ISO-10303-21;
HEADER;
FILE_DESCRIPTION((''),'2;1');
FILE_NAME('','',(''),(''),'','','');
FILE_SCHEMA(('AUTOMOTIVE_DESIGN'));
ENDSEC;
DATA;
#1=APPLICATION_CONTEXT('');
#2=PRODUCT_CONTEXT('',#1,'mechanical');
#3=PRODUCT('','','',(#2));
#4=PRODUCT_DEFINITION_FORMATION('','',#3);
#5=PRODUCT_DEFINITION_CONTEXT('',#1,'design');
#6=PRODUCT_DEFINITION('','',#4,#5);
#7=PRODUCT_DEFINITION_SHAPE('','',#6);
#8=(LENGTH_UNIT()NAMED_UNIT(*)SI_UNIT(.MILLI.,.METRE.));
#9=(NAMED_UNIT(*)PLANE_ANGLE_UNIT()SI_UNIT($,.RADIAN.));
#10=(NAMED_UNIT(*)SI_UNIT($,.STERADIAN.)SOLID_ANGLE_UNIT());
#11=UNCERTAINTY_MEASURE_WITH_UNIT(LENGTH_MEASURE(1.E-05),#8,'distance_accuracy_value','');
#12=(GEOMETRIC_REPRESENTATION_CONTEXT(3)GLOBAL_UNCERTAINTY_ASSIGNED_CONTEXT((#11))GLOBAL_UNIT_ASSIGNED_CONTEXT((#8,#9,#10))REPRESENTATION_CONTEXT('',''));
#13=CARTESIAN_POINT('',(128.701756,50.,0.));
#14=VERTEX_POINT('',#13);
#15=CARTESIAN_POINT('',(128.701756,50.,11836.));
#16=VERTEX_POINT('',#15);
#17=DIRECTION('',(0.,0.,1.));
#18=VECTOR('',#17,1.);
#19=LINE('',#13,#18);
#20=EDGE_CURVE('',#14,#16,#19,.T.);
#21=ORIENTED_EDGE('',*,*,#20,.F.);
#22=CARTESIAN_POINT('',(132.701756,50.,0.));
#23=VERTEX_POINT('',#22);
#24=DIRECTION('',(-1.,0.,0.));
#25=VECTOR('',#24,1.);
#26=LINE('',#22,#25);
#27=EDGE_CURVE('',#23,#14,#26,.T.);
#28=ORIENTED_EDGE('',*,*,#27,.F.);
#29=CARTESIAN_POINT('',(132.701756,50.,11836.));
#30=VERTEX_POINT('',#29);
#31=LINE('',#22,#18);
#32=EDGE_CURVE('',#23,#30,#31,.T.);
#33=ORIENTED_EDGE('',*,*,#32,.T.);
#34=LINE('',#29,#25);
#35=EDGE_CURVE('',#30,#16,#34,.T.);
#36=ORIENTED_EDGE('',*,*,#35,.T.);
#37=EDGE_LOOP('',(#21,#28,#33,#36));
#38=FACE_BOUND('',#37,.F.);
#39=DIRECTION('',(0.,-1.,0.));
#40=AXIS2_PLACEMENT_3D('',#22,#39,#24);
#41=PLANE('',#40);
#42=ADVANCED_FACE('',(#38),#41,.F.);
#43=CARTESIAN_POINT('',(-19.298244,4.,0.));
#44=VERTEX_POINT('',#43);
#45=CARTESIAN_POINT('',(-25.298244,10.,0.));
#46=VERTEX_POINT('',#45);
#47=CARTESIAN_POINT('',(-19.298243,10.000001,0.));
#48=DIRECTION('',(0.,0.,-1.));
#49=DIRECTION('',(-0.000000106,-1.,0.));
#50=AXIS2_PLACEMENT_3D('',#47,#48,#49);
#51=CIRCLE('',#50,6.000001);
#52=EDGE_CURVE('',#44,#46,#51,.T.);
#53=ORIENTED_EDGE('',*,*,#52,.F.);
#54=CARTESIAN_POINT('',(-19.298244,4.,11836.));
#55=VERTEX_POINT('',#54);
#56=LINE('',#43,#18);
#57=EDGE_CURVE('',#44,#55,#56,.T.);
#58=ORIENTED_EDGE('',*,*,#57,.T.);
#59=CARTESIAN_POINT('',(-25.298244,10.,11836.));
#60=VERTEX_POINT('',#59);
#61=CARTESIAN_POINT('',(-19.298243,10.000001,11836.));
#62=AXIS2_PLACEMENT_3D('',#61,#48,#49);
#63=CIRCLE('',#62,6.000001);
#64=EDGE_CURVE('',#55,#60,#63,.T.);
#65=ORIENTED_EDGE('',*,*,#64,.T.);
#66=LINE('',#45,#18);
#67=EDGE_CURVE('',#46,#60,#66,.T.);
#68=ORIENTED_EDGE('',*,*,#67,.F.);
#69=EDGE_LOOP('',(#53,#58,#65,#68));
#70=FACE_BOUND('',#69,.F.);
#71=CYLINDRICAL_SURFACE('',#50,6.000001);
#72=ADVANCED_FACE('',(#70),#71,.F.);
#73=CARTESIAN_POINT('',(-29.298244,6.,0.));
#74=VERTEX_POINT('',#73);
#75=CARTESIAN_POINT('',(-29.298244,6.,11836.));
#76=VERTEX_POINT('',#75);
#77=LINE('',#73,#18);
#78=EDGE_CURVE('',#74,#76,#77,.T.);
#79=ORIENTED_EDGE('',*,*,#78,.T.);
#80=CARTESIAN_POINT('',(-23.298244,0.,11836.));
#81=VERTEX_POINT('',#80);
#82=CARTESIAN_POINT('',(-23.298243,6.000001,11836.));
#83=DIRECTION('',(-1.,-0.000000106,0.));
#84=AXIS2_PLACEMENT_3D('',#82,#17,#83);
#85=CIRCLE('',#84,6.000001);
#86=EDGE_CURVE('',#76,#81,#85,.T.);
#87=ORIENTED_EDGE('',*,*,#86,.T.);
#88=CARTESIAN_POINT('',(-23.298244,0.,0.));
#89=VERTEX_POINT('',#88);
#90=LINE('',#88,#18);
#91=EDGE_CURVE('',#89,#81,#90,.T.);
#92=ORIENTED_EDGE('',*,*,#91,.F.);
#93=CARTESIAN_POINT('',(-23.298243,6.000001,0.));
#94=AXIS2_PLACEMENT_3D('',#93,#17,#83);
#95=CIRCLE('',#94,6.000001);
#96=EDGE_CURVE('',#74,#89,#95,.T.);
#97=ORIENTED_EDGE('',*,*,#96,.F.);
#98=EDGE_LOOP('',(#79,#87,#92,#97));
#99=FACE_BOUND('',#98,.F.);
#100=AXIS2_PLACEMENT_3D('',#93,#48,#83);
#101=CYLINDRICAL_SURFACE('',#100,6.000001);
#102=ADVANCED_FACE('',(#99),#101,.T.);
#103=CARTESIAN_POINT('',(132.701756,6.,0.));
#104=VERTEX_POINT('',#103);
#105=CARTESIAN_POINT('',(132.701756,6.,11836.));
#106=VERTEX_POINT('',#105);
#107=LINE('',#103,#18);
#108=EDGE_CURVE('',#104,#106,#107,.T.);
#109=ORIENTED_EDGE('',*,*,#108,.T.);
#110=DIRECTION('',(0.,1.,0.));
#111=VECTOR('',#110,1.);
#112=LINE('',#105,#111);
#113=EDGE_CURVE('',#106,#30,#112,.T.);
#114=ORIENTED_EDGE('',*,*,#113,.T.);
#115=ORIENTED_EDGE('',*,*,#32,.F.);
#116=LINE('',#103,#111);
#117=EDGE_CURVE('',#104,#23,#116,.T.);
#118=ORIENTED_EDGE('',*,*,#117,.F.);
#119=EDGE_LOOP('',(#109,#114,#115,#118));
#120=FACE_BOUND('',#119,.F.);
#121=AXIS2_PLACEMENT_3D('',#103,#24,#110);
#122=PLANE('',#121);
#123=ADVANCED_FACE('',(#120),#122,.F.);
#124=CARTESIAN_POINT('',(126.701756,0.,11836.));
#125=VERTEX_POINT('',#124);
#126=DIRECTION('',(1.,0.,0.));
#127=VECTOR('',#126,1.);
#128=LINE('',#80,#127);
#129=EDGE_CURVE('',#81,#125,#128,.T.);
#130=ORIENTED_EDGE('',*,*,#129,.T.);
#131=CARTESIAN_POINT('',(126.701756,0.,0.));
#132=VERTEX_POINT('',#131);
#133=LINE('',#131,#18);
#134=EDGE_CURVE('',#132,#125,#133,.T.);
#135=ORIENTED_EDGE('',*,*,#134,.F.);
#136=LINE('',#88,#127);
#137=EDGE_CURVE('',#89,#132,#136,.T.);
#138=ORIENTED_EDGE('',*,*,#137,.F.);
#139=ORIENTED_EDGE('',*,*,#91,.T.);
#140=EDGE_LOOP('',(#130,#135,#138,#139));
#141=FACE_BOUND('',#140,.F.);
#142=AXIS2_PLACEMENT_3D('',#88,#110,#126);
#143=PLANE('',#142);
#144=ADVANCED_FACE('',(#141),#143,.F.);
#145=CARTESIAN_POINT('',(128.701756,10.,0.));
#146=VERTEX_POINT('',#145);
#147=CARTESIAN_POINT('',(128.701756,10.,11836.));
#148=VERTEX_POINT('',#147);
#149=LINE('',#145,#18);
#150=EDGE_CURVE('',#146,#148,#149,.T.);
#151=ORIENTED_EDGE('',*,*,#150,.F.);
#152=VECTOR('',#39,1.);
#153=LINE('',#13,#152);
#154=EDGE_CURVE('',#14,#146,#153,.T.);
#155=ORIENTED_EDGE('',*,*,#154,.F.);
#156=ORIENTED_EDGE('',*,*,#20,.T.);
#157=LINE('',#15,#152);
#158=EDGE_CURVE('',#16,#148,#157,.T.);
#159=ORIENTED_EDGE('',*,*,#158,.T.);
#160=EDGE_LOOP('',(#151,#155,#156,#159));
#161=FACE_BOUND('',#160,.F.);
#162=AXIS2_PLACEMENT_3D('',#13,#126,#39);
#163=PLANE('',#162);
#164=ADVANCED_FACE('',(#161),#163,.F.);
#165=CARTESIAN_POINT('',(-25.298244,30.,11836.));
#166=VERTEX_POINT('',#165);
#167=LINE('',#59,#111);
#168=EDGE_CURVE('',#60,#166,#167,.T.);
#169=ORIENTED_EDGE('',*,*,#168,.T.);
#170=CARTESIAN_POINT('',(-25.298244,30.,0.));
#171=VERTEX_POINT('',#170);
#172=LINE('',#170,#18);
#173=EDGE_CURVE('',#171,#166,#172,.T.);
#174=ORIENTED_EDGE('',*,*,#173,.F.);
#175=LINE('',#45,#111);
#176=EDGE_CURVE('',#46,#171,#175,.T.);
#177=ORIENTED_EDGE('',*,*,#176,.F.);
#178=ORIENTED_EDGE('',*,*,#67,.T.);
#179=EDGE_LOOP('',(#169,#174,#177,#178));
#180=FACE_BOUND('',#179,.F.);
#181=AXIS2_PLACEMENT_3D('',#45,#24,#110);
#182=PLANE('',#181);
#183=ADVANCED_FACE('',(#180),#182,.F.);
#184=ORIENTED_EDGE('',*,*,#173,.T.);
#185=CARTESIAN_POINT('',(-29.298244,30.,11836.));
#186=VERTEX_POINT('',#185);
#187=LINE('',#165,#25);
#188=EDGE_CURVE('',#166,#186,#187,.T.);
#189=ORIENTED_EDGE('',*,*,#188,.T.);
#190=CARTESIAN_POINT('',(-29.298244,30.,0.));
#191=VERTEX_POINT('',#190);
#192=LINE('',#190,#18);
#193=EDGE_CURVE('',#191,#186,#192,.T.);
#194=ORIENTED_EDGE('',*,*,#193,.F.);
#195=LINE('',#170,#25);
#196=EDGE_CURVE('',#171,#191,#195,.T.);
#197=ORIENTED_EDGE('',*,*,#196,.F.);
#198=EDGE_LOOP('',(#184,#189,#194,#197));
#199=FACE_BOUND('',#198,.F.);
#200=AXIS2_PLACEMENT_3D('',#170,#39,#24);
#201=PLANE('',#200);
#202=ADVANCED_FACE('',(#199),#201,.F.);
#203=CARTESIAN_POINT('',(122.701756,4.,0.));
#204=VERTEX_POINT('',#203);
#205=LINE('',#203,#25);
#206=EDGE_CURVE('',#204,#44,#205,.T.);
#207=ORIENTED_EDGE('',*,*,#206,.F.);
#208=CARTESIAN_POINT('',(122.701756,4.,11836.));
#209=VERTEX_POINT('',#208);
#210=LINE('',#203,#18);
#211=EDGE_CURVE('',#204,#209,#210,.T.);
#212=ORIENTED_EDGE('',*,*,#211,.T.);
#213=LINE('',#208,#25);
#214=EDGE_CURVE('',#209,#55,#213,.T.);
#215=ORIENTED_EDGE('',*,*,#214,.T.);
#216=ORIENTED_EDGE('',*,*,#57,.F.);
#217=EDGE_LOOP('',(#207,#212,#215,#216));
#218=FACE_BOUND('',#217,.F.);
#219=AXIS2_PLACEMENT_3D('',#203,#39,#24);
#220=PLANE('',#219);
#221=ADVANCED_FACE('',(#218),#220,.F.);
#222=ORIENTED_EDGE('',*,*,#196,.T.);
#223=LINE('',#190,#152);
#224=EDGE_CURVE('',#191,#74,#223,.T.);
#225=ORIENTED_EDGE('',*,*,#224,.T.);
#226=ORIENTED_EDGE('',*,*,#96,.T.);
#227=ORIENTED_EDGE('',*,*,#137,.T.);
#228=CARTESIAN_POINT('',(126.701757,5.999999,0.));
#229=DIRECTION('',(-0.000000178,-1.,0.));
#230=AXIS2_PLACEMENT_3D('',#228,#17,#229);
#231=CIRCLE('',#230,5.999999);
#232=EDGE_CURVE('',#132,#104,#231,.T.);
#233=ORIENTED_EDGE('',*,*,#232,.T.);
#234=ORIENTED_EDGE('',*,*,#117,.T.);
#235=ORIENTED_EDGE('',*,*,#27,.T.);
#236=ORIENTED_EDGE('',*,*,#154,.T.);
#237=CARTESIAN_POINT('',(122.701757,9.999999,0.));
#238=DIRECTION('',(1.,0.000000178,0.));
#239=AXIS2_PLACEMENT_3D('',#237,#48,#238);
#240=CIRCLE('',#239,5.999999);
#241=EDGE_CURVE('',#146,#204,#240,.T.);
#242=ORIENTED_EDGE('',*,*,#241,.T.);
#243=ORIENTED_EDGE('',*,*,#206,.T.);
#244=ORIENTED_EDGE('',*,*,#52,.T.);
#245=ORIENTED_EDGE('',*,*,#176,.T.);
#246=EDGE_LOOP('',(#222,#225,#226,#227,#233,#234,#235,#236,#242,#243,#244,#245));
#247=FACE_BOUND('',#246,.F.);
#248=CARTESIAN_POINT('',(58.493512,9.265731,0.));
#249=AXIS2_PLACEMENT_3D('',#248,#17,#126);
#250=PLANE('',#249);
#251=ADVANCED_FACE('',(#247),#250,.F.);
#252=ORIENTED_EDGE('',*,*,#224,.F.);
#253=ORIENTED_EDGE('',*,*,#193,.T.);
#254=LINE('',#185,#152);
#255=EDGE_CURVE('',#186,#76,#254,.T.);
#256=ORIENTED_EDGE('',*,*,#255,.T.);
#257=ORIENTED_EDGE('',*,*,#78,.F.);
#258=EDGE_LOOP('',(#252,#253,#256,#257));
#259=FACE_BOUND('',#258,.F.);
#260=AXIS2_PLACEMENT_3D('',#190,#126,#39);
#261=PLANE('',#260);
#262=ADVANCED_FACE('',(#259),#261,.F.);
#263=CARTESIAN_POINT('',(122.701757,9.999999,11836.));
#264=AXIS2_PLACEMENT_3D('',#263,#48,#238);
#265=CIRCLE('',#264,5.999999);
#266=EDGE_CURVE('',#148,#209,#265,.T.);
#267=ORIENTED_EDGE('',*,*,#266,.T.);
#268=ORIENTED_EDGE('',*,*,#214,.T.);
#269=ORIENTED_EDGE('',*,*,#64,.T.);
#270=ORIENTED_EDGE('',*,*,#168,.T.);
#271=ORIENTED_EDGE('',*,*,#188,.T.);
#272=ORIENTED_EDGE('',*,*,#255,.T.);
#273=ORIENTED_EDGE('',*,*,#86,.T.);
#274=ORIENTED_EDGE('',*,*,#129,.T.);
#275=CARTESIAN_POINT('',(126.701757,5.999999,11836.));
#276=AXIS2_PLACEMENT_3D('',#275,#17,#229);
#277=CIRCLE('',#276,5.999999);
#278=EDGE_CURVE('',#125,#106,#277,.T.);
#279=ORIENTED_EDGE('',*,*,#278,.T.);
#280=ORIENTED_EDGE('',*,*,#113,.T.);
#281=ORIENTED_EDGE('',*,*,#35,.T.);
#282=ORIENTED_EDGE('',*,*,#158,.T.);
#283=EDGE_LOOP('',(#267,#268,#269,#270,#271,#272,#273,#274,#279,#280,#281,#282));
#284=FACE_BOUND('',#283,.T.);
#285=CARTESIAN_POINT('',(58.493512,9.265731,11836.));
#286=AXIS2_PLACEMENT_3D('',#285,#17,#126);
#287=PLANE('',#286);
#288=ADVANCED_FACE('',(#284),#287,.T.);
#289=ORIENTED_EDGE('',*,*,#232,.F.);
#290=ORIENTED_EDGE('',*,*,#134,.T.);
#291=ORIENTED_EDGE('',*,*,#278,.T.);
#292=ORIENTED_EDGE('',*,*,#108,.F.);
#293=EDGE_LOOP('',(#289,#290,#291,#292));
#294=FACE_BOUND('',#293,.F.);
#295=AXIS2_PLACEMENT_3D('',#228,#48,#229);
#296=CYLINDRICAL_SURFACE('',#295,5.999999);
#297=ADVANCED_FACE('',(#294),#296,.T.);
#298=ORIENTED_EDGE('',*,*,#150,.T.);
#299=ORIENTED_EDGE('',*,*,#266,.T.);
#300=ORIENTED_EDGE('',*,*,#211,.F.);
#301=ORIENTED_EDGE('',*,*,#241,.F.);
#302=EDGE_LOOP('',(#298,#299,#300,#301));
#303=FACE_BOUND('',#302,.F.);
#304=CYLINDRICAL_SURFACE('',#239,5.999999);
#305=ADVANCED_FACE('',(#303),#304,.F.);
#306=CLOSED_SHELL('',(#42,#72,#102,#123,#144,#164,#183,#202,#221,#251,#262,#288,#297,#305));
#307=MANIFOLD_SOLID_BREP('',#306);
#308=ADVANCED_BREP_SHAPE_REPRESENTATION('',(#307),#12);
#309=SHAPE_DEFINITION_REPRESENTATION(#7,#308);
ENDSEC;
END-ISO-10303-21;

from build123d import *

# Parameters (mm, degrees)
F1_DEPTH = 11836


with BuildPart() as f1:
    # F0 (on Top) → F1 (new body)
    with BuildSketch(Plane.XY):
        with BuildLine():
            Line((-25.298244, 30), (-29.298244, 30))
            Line((-29.298244, 30), (-29.298244, 6))
            ThreePointArc((-29.298244, 6), (-27.540884, 1.757359), (-23.298244, 0))
            Line((-23.298244, 0), (126.701756, 0))
            ThreePointArc((126.701756, 0), (130.944397, 1.757359), (132.701756, 6))
            Line((132.701756, 6), (132.701756, 50))
            Line((132.701756, 50), (128.701756, 50))
            Line((128.701756, 50), (128.701756, 10))
            ThreePointArc((128.701756, 10), (126.944397, 5.757359), (122.701756, 4))
            Line((122.701756, 4), (-19.298244, 4))
            ThreePointArc((-19.298244, 4), (-23.540884, 5.757359), (-25.298244, 10))
            Line((-25.298244, 10), (-25.298244, 30))
        make_face()
    extrude(amount=F1_DEPTH)


solid = f1.part
